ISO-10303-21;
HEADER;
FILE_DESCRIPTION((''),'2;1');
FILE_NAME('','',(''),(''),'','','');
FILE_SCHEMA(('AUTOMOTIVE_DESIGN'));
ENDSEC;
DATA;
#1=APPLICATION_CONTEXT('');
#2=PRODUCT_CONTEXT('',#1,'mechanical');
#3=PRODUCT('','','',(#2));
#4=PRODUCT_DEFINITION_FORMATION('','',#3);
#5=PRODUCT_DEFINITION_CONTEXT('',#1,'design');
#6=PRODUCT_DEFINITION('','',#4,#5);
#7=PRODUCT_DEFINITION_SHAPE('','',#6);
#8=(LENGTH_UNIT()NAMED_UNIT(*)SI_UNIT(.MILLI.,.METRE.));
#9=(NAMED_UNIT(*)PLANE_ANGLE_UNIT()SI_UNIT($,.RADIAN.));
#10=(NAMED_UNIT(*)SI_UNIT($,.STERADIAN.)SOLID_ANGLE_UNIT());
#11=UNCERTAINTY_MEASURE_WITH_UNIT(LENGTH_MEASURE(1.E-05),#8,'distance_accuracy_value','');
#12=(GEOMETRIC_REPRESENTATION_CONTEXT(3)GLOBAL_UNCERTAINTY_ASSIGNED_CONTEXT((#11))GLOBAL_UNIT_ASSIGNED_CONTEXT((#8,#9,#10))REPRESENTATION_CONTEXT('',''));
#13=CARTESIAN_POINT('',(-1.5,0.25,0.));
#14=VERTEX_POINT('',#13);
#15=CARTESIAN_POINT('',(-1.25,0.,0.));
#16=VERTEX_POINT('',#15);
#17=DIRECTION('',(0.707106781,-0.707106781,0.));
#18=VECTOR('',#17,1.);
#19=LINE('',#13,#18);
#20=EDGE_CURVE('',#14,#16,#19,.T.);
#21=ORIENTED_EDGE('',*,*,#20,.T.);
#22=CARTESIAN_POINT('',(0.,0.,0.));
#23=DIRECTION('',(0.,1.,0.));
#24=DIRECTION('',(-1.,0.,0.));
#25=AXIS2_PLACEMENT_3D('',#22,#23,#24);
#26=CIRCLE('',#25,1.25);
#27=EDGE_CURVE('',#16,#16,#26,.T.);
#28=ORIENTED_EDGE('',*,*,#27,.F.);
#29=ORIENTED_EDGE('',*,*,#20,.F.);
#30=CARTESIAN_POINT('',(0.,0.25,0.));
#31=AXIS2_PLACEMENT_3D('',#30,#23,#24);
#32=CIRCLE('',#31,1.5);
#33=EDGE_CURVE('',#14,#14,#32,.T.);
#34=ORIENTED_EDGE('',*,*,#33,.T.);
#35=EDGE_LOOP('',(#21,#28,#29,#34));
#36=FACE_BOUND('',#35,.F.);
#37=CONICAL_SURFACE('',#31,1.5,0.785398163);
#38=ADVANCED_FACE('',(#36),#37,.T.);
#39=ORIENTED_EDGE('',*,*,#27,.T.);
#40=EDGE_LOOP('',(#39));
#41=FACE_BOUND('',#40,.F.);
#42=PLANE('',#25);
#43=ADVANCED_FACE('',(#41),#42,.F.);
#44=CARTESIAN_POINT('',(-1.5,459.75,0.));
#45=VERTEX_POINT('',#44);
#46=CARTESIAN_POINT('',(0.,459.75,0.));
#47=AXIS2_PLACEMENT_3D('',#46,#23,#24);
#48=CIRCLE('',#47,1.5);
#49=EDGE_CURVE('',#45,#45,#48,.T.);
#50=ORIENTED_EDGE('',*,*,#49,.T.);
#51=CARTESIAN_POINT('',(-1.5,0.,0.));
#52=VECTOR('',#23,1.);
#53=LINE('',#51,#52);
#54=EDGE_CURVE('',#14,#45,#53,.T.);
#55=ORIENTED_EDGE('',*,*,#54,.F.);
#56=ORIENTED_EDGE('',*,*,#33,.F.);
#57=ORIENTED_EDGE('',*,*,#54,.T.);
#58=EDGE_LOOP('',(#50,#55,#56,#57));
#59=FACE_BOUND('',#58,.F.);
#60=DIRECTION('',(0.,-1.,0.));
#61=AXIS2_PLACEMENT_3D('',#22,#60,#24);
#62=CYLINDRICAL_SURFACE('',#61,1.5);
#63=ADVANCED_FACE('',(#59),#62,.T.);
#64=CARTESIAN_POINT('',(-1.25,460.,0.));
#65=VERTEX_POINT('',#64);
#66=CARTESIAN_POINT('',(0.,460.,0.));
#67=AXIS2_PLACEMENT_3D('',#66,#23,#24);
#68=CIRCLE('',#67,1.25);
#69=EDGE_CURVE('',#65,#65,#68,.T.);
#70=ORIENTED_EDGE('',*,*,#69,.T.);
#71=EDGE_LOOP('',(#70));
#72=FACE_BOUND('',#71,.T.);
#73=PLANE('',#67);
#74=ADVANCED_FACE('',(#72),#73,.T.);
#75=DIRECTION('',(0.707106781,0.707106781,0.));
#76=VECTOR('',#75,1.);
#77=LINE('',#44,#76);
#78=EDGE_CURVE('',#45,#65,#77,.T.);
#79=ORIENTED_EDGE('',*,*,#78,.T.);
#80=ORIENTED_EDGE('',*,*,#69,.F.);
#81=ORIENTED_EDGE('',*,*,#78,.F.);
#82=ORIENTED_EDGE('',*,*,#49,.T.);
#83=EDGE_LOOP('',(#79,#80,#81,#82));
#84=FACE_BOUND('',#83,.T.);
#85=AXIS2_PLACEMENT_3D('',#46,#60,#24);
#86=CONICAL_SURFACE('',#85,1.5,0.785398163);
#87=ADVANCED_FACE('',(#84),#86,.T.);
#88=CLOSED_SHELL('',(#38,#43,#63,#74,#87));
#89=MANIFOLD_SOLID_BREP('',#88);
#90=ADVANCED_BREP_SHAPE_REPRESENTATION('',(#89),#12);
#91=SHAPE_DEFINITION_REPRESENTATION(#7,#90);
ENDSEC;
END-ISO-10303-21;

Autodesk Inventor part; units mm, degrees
ref_plane "YZ Plane" through (0, 0, 0) normal (1, 0, 0) x (0, 1, 0)
ref_plane "XZ Plane" through (0, 0, 0) normal (0, 1, 0) x (-1, 0, 0)
ref_plane "XY Plane" through (0, 0, 0) normal (0, 0, 1) x (1, 0, 0)
sketch "Sketch1" plane through (0, 0, 0) normal (0, 1, 0) x (-1, 0, 0)
  circle A0 centre (0, 0) radius 1.5
  dimension "d0" = 3
extrude "Extrusion1" add sketch "Sketch1" along normal blind 460
thread "Thread1" size "M3x0.5" class "6g" standard "ANSI Metric M Profile" full length
chamfer "Chamfer1" distance 0.25 angle 45 2 edges at (1.5, 460, 0) (1.5, 0, 0)
properties part number "M3_threaded_rod" material "Steel"
